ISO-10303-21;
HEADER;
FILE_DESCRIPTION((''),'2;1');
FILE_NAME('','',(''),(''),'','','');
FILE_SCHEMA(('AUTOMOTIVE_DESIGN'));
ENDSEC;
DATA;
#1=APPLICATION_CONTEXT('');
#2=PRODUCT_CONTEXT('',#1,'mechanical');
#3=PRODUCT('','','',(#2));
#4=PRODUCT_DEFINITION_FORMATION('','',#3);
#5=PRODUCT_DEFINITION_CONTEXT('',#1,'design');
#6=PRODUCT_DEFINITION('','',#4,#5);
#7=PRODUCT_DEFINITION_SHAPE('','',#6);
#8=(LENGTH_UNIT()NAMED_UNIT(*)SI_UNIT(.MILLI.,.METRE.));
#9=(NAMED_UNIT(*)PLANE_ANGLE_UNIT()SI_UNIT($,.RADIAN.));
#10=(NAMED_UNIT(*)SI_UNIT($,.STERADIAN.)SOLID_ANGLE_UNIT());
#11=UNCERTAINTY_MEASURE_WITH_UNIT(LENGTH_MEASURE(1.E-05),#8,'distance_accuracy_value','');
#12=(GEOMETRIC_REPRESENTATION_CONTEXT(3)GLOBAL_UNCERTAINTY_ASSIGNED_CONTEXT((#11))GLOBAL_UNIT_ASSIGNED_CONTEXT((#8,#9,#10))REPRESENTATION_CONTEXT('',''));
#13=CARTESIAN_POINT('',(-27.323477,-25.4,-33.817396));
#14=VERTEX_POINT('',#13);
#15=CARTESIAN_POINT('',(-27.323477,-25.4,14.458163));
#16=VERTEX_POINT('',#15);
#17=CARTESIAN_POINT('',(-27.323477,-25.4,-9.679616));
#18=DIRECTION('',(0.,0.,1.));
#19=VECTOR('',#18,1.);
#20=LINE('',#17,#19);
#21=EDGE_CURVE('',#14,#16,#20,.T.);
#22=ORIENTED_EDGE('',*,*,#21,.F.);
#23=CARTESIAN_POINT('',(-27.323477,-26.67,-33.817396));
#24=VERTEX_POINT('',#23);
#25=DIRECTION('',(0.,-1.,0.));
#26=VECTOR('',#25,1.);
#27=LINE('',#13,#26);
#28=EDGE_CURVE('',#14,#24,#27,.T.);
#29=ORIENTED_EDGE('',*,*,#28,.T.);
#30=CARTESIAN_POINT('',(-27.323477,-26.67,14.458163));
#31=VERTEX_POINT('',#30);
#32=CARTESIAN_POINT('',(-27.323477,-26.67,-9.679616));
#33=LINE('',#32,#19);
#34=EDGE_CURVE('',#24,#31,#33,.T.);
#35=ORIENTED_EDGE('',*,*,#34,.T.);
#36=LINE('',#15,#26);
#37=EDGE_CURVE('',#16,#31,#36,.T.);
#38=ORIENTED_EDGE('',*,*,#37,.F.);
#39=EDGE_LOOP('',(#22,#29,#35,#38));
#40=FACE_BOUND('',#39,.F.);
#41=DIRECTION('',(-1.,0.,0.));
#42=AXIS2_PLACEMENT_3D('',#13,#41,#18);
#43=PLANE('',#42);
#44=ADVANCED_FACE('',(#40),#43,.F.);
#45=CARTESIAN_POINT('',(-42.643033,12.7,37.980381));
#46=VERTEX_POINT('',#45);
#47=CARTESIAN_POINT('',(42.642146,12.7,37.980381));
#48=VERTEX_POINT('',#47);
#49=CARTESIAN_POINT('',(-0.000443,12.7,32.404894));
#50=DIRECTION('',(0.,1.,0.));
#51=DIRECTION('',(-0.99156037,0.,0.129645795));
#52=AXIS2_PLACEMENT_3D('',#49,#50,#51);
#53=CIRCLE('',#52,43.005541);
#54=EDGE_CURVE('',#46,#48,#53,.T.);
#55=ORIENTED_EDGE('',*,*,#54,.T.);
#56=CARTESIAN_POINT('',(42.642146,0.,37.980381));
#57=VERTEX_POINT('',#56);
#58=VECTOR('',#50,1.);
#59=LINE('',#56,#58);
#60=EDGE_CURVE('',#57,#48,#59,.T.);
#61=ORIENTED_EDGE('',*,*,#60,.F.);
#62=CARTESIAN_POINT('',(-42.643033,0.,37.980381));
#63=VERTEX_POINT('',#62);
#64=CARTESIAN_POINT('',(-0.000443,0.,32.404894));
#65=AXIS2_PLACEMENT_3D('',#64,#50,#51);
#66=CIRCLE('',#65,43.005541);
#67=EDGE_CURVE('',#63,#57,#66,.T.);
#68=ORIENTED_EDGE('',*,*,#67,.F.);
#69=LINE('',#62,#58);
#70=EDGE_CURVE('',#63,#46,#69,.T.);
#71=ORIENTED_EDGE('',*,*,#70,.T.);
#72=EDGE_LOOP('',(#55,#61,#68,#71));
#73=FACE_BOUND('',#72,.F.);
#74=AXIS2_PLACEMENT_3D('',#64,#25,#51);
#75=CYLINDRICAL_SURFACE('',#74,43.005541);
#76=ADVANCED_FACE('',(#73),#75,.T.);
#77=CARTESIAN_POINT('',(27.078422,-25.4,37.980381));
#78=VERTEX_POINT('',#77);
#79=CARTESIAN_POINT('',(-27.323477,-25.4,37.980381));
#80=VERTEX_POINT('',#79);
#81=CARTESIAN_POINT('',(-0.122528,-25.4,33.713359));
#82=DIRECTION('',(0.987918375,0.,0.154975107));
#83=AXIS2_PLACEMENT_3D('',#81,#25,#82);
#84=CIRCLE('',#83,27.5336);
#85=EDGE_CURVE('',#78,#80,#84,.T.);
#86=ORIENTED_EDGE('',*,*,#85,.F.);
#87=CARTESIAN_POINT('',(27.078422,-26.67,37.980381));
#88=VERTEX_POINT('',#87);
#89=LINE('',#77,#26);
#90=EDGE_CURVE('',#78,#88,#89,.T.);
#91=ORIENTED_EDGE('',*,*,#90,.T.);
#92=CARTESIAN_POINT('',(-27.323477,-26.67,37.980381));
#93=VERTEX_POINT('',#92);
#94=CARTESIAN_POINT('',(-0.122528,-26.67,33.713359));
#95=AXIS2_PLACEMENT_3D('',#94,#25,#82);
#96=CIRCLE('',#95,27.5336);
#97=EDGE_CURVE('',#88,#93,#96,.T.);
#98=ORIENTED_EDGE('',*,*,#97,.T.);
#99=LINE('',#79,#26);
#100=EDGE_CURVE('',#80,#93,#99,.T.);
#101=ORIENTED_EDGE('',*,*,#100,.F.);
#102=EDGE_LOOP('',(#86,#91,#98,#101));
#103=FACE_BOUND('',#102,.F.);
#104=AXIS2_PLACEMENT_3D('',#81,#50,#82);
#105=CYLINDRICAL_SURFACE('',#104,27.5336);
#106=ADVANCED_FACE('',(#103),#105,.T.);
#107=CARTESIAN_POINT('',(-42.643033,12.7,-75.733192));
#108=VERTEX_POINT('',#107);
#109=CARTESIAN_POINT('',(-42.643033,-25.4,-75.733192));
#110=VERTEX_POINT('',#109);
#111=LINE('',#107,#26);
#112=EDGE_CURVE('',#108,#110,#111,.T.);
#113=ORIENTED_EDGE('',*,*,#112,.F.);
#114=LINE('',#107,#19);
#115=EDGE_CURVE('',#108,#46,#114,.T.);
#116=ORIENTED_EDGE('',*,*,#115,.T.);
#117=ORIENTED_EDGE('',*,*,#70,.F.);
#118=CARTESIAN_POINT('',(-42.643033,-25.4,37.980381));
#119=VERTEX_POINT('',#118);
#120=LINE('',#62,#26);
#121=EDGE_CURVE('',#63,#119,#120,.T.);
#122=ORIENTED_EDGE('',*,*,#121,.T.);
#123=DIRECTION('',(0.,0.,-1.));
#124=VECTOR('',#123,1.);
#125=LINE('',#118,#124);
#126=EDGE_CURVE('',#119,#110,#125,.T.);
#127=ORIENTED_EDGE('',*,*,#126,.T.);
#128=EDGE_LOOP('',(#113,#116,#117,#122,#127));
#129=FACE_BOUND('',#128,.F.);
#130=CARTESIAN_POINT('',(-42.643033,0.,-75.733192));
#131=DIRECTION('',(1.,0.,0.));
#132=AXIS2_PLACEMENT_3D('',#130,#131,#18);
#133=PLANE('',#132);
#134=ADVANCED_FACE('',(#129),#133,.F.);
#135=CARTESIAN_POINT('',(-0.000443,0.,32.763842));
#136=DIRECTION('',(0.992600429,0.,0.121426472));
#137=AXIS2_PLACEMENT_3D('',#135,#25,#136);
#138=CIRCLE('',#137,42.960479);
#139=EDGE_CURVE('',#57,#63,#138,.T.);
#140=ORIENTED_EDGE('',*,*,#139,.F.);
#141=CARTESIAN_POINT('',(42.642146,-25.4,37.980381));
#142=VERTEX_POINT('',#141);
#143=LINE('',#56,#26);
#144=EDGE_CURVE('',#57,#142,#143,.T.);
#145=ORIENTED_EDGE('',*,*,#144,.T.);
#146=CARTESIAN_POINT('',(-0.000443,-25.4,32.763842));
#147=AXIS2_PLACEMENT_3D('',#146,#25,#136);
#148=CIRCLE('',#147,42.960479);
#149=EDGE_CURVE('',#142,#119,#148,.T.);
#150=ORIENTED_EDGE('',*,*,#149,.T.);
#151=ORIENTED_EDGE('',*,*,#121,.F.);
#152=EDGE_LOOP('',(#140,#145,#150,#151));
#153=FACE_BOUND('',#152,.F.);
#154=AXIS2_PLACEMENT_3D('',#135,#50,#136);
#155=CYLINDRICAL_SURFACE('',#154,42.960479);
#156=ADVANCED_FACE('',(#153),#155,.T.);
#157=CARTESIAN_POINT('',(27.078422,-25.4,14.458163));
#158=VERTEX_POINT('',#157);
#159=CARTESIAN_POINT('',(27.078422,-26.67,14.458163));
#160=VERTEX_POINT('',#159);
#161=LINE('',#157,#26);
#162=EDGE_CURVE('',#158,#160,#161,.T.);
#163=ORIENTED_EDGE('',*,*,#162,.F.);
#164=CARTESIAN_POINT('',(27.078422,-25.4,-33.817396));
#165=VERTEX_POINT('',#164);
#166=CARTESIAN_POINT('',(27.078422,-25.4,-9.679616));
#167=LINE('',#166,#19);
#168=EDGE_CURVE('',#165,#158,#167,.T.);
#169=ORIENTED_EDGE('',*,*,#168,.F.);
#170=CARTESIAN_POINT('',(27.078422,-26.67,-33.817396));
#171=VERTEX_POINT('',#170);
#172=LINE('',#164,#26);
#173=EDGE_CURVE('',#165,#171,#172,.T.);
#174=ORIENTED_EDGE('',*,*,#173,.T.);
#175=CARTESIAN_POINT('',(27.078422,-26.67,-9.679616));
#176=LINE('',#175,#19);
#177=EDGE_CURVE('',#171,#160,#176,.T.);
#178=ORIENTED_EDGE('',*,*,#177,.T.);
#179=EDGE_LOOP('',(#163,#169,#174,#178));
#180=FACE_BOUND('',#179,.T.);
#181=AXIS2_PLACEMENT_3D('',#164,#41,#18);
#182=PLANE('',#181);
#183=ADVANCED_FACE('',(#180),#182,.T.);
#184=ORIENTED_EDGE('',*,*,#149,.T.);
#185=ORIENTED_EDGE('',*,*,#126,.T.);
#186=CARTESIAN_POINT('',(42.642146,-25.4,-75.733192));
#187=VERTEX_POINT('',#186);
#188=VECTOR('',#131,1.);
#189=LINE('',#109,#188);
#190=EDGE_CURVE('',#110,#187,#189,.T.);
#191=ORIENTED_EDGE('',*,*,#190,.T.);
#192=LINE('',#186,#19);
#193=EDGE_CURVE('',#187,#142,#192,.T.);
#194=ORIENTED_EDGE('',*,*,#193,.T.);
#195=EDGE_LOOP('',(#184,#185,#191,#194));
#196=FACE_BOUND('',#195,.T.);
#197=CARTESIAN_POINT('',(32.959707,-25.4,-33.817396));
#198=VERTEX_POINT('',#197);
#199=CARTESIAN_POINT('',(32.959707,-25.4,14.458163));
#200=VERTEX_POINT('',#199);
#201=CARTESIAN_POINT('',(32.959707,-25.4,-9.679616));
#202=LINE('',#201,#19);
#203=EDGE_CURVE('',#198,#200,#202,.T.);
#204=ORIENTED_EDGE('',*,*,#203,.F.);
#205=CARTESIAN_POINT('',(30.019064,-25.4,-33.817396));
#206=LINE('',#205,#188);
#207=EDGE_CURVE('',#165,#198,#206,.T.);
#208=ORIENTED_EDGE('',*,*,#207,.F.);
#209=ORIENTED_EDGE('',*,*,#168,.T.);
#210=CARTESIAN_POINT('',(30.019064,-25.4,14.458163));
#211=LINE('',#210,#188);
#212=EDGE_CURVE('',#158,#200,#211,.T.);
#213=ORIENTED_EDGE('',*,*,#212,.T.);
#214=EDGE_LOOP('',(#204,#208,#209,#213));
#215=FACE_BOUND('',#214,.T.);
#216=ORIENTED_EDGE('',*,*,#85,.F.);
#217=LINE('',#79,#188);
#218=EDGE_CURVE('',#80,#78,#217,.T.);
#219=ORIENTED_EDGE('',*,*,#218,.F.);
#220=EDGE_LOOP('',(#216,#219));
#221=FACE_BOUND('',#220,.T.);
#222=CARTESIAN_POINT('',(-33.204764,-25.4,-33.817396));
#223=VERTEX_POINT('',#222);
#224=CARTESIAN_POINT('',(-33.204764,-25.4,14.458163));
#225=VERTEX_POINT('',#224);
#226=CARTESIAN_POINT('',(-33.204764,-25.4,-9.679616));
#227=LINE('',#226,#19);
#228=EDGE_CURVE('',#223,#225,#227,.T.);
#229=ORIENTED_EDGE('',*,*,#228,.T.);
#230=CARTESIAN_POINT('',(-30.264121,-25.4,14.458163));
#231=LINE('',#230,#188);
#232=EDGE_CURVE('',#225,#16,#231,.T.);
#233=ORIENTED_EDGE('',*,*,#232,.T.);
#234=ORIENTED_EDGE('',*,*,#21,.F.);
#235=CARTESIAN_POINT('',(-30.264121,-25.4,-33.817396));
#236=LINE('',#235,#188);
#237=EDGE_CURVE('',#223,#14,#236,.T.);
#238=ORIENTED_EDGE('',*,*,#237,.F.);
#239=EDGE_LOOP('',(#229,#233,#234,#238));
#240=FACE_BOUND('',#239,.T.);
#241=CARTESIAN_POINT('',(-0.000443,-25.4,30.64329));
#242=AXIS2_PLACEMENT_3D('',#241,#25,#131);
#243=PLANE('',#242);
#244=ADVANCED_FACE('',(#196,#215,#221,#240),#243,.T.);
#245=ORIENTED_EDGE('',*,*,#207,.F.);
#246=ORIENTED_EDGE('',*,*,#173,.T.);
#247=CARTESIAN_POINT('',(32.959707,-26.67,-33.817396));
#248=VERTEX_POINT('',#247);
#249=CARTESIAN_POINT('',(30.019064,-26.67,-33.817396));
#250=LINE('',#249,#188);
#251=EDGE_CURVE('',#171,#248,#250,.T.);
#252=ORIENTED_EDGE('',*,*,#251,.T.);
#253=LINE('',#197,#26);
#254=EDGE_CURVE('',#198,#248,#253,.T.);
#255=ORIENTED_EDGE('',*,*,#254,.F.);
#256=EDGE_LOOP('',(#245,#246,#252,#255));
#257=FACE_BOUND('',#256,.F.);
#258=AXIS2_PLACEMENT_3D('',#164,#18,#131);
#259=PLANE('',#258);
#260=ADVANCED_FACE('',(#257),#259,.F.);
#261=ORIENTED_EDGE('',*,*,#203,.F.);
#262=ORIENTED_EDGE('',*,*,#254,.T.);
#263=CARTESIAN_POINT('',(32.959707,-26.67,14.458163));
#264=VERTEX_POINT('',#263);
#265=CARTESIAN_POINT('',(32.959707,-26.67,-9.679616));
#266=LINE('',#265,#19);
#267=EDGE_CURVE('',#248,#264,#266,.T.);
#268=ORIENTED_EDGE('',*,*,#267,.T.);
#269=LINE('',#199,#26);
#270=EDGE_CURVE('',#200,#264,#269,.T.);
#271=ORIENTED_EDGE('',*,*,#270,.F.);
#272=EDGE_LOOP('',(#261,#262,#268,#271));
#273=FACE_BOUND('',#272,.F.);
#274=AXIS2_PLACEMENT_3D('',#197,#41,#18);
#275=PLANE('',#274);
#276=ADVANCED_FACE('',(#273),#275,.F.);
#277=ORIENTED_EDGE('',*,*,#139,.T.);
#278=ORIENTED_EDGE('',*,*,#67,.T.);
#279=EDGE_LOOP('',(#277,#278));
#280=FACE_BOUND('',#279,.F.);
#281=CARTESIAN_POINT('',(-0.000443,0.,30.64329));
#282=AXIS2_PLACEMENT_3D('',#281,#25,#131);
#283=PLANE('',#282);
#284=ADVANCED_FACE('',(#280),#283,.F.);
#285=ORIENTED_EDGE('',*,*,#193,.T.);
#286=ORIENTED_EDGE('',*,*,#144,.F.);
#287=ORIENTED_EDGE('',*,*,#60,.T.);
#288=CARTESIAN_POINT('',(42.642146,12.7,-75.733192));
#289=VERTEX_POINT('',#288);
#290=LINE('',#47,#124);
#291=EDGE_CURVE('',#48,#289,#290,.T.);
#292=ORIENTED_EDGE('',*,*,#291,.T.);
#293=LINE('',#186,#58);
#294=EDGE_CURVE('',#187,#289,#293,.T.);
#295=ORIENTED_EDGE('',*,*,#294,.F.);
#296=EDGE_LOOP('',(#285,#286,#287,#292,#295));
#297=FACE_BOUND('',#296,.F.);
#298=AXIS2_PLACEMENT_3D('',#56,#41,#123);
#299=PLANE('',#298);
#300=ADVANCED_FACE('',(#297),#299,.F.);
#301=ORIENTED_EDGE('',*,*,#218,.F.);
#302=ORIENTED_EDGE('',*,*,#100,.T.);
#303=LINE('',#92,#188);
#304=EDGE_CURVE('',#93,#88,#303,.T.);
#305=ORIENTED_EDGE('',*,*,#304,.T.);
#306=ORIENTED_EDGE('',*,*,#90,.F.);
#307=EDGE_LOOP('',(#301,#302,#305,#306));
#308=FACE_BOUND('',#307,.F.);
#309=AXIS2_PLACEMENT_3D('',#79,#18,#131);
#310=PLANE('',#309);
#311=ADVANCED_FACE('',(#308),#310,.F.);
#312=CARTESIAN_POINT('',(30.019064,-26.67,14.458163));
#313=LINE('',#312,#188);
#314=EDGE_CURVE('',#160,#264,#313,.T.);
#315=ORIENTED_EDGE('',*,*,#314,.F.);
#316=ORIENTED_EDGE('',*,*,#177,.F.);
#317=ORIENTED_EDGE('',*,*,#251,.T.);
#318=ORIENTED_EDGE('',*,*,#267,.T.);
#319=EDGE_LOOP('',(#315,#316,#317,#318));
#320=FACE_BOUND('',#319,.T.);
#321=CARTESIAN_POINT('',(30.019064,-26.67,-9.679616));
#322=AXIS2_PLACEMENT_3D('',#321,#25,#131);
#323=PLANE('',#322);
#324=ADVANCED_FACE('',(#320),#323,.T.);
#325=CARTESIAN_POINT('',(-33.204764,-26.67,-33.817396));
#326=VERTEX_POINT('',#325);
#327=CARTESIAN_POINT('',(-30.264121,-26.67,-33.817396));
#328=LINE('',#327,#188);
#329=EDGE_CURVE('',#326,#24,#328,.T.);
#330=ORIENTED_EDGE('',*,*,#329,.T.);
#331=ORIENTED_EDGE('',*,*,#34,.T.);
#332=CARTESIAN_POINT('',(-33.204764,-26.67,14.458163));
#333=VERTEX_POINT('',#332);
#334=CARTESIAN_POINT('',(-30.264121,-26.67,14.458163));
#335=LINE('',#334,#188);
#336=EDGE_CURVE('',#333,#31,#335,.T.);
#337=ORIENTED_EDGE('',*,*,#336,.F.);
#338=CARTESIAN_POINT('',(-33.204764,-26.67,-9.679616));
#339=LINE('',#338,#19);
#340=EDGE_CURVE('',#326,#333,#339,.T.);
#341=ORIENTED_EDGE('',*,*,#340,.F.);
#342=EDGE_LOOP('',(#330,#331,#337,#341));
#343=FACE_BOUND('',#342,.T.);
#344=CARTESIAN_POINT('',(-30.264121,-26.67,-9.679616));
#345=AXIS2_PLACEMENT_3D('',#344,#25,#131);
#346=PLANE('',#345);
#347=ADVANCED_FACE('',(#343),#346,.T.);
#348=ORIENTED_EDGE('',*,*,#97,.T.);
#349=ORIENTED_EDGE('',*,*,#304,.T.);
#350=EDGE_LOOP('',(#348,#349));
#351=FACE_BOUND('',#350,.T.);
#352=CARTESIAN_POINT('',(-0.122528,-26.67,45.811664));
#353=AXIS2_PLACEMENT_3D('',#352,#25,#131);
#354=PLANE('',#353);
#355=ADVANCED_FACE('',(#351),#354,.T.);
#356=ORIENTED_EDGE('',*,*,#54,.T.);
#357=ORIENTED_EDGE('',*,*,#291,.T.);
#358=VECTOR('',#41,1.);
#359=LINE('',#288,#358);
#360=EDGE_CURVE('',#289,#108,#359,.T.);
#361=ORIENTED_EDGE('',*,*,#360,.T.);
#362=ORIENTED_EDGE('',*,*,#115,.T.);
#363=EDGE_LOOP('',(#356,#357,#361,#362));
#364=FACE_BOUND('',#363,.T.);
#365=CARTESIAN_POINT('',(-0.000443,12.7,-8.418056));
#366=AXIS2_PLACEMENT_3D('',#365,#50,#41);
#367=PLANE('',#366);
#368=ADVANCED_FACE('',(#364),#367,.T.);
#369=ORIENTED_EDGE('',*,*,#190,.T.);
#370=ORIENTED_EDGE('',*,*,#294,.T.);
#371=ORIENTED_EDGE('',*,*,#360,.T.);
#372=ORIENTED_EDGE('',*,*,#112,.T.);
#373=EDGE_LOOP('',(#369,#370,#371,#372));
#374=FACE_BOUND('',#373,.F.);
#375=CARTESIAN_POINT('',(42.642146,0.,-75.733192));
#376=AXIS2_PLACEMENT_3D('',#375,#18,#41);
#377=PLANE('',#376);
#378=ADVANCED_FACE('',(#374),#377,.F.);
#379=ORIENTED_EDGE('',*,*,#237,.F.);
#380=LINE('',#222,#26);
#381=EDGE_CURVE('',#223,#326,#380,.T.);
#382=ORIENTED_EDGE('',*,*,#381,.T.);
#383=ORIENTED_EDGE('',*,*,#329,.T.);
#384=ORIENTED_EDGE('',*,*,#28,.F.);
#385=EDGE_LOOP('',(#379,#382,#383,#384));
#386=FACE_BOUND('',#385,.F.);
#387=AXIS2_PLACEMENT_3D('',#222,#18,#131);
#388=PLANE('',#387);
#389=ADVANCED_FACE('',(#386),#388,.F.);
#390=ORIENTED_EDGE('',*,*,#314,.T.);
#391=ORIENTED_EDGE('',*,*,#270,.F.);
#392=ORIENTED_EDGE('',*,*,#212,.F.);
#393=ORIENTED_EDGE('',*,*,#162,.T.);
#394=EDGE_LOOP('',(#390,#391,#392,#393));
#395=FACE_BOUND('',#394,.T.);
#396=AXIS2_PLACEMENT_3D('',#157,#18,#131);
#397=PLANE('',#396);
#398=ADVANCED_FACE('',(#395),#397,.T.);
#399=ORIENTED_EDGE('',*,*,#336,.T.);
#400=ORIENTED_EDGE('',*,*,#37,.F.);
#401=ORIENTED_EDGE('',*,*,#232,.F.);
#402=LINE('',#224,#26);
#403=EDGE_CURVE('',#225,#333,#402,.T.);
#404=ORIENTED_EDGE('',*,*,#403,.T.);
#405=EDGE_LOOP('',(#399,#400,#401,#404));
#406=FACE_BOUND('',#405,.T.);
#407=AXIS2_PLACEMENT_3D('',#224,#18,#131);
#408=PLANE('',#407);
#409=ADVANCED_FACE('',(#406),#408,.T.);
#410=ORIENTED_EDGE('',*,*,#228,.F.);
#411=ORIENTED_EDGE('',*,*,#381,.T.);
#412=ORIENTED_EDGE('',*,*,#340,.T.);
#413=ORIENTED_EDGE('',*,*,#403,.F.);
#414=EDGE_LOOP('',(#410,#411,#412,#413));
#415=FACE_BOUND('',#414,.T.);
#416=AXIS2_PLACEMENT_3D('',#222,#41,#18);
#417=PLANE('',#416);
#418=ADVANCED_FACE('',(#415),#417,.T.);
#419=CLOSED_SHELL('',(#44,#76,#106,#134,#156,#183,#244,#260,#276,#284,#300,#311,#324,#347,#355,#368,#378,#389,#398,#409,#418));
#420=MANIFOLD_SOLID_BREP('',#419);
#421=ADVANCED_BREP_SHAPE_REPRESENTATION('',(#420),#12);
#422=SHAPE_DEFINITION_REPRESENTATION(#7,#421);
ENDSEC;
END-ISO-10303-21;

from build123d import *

# Parameters (mm, degrees)
F1_DEPTH = 25.4
F3_DEPTH = 12.7
F4_W     = 5.8812871575
F4_H     = 48.275558278
F4_W_2   = 5.8812852949
F5_DEPTH = 1.27
F7_DEPTH = 1.27


with BuildPart() as f1:
    # F0 (on Front) → F1 (new body)
    with BuildSketch(Plane.XZ):
        with BuildLine():
            Line((-42.643032968, 37.9803813994), (-42.643032968, 0))
            Line((-42.643032968, 0), (0, 0))
            Line((0, 0), (42.642146349, 0))
            Line((42.642146349, 0), (42.642146349, 37.9803813994))
            ThreePointArc((42.642146349, 37.9803813994), (-0.0004433095, 75.7243208105), (-42.643032968, 37.9803813994))
        make_face()
        Polygon((0, 0), (-42.643032968, 0), (-42.643032968, -75.733192265), (42.642146349, -75.733192265), (42.642146349, 0), align=None)
    extrude(amount=F1_DEPTH)

    # F2 (on face) → F3 (join)
    with BuildSketch(Plane(origin=(0, 0, 0), x_dir=(-1, 0, 0), z_dir=(0, 1, 0))):
        with BuildLine():
            ThreePointArc((42.643032968, 37.9803813994), (0.0004433095, 75.4104343916), (-42.642146349, 37.9803813994))
            Line((-42.642146349, 37.9803813994), (-42.642146349, -75.733192265))
            Line((-42.642146349, -75.733192265), (42.643032968, -75.733192265))
            Line((42.643032968, -75.733192265), (42.643032968, 37.9803813994))
        make_face()
    extrude(amount=F3_DEPTH)

    # F4 (on face) → F5 (join)
    with BuildSketch(Plane.XZ.offset(25.4)):
        with Locations((-30.264120549, -9.6796164289)):
            Rectangle(F4_W, F4_H)
        with Locations((30.0190644339, -9.6796164289)):
            Rectangle(F4_W_2, F4_H)
    extrude(amount=F5_DEPTH)

    # F6 (on face) → F7 (join)
    with BuildSketch(Plane.XZ.offset(25.4)):
        with BuildLine():
            ThreePointArc((27.0784217864, 37.9803813994), (-0.1225275919, 61.2469587983), (-27.3234769702, 37.9803813994))
            Line((-27.3234769702, 37.9803813994), (27.0784217864, 37.9803813994))
        make_face()
    extrude(amount=F7_DEPTH)


solid = f1.part
